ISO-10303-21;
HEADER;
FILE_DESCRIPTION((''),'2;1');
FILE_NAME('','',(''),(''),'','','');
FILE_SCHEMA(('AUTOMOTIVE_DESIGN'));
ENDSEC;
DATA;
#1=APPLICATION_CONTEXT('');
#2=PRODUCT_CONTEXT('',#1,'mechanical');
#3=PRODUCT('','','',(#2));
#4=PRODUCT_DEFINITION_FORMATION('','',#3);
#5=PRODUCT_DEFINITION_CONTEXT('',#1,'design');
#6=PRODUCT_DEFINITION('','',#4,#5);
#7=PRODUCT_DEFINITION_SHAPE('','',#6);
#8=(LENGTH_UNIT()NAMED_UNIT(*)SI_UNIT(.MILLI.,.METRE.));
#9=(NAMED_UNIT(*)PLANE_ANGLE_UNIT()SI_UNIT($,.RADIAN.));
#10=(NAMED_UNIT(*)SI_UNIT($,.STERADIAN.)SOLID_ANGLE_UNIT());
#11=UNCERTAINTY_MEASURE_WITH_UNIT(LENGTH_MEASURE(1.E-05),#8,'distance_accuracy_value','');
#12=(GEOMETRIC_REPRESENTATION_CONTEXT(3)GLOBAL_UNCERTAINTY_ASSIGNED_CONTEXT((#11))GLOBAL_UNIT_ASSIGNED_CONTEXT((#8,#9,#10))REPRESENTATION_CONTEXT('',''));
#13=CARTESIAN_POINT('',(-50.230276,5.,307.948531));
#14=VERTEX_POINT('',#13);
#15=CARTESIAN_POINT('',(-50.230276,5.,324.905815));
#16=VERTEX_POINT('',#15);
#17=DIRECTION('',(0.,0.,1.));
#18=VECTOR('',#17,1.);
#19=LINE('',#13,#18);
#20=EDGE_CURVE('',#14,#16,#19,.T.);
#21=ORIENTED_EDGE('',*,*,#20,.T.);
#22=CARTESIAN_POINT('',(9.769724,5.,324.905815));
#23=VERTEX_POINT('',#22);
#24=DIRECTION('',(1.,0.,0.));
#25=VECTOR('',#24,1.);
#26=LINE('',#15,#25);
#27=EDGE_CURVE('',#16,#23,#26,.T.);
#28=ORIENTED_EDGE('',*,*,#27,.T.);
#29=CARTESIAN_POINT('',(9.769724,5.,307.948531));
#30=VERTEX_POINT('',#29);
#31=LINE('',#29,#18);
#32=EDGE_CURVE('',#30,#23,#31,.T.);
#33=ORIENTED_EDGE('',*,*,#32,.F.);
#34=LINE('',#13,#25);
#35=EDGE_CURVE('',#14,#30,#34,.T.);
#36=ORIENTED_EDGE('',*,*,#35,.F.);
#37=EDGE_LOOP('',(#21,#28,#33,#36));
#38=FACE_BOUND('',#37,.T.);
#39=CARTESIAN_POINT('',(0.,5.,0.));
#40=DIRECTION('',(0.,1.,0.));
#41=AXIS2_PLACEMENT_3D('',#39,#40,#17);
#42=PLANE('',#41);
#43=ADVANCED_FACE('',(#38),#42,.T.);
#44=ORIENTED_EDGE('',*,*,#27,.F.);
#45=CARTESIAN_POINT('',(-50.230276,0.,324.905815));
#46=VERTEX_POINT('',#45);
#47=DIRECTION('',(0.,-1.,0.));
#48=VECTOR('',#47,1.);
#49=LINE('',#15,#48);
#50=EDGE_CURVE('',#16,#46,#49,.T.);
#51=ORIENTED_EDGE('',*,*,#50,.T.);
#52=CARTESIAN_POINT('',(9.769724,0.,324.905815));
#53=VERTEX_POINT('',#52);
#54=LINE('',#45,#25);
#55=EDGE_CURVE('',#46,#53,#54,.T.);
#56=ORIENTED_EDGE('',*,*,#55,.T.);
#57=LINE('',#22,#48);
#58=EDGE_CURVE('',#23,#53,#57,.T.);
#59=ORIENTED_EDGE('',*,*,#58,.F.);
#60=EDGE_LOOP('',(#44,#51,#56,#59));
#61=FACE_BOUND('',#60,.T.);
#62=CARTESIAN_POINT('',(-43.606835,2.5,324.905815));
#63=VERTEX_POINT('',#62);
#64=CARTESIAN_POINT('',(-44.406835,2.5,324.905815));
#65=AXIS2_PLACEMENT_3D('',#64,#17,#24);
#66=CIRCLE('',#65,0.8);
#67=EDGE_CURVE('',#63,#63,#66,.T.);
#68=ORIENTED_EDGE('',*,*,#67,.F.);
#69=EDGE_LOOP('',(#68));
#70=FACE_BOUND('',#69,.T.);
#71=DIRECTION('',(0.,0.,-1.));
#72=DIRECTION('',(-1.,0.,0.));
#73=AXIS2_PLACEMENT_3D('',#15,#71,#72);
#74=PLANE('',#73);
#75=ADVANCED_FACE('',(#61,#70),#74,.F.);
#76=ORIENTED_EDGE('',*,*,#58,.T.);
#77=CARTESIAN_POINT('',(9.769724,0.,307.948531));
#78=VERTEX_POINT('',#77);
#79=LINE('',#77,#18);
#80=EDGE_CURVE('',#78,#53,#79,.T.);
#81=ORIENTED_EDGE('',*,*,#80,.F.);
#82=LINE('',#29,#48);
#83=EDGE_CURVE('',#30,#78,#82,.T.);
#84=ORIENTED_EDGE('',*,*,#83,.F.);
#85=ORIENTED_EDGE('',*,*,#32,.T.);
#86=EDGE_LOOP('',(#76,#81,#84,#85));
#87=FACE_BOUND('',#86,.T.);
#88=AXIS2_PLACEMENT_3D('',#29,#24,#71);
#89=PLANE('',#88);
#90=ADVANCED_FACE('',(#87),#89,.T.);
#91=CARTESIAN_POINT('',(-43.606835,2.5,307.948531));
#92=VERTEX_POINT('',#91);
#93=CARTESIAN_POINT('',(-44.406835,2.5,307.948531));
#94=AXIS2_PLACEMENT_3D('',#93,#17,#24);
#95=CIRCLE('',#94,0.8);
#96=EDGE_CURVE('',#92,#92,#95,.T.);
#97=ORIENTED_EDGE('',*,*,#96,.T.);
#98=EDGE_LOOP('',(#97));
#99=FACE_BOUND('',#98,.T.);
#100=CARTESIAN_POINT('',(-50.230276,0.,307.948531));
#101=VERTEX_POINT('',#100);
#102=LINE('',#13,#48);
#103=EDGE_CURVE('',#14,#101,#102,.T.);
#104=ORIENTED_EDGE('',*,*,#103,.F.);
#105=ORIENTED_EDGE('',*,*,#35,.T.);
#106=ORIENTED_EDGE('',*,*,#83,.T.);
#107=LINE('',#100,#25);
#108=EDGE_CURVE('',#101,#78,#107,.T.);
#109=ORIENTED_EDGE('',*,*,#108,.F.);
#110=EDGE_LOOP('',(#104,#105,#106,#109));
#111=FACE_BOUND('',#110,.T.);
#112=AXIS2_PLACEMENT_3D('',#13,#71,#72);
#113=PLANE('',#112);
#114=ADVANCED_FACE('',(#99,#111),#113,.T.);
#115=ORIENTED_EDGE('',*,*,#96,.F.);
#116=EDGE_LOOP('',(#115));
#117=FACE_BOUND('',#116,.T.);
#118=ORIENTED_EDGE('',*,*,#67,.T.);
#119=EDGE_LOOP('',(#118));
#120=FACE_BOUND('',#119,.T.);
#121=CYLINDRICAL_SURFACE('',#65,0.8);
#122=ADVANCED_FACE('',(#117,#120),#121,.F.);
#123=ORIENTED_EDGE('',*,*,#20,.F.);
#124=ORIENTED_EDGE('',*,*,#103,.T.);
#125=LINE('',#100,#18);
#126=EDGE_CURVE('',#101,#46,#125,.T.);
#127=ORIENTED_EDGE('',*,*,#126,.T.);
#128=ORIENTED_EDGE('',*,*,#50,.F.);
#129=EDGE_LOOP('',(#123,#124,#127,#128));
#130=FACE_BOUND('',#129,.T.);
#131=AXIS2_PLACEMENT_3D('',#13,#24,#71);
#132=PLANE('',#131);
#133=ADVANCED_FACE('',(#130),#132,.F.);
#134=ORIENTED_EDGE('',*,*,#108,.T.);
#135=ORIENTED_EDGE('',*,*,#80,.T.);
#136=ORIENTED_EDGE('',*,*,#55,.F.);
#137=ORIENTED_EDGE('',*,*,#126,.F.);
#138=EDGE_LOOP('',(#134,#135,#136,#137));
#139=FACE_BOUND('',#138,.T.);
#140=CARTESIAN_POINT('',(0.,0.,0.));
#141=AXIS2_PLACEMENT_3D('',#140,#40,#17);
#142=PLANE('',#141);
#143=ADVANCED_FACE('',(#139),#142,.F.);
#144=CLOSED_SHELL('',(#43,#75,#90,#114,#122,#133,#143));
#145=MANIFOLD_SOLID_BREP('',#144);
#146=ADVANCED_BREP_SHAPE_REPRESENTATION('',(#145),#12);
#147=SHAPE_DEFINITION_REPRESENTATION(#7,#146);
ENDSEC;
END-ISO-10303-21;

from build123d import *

# Parameters (mm, degrees)
SKETCH1_W                   = 60
SKETCH1_H                   = 16.957284299
BOSS_EXTRUDE1_DEPTH         = 5
TAP_DRILL_FOR_M2X0_4_TAP1_D = 1.6


with BuildPart() as part:
    # Sketch1 → Boss-Extrude1 (new body)
    with BuildSketch(Plane(origin=(0, 0, 0), x_dir=(1, 0, 0), z_dir=(0, 1, 0))):
        with Locations((-20.230276441, -316.427173265)):
            Rectangle(SKETCH1_W, SKETCH1_H)
    extrude(amount=BOSS_EXTRUDE1_DEPTH)

    # Tap Drill for M2x0.4 Tap1 (through all)
    with Locations(Plane.XY.offset(324.905815414)):
        with Locations((-44.406835203, 2.5)):
            Hole(TAP_DRILL_FOR_M2X0_4_TAP1_D / 2)


solid = part.part
